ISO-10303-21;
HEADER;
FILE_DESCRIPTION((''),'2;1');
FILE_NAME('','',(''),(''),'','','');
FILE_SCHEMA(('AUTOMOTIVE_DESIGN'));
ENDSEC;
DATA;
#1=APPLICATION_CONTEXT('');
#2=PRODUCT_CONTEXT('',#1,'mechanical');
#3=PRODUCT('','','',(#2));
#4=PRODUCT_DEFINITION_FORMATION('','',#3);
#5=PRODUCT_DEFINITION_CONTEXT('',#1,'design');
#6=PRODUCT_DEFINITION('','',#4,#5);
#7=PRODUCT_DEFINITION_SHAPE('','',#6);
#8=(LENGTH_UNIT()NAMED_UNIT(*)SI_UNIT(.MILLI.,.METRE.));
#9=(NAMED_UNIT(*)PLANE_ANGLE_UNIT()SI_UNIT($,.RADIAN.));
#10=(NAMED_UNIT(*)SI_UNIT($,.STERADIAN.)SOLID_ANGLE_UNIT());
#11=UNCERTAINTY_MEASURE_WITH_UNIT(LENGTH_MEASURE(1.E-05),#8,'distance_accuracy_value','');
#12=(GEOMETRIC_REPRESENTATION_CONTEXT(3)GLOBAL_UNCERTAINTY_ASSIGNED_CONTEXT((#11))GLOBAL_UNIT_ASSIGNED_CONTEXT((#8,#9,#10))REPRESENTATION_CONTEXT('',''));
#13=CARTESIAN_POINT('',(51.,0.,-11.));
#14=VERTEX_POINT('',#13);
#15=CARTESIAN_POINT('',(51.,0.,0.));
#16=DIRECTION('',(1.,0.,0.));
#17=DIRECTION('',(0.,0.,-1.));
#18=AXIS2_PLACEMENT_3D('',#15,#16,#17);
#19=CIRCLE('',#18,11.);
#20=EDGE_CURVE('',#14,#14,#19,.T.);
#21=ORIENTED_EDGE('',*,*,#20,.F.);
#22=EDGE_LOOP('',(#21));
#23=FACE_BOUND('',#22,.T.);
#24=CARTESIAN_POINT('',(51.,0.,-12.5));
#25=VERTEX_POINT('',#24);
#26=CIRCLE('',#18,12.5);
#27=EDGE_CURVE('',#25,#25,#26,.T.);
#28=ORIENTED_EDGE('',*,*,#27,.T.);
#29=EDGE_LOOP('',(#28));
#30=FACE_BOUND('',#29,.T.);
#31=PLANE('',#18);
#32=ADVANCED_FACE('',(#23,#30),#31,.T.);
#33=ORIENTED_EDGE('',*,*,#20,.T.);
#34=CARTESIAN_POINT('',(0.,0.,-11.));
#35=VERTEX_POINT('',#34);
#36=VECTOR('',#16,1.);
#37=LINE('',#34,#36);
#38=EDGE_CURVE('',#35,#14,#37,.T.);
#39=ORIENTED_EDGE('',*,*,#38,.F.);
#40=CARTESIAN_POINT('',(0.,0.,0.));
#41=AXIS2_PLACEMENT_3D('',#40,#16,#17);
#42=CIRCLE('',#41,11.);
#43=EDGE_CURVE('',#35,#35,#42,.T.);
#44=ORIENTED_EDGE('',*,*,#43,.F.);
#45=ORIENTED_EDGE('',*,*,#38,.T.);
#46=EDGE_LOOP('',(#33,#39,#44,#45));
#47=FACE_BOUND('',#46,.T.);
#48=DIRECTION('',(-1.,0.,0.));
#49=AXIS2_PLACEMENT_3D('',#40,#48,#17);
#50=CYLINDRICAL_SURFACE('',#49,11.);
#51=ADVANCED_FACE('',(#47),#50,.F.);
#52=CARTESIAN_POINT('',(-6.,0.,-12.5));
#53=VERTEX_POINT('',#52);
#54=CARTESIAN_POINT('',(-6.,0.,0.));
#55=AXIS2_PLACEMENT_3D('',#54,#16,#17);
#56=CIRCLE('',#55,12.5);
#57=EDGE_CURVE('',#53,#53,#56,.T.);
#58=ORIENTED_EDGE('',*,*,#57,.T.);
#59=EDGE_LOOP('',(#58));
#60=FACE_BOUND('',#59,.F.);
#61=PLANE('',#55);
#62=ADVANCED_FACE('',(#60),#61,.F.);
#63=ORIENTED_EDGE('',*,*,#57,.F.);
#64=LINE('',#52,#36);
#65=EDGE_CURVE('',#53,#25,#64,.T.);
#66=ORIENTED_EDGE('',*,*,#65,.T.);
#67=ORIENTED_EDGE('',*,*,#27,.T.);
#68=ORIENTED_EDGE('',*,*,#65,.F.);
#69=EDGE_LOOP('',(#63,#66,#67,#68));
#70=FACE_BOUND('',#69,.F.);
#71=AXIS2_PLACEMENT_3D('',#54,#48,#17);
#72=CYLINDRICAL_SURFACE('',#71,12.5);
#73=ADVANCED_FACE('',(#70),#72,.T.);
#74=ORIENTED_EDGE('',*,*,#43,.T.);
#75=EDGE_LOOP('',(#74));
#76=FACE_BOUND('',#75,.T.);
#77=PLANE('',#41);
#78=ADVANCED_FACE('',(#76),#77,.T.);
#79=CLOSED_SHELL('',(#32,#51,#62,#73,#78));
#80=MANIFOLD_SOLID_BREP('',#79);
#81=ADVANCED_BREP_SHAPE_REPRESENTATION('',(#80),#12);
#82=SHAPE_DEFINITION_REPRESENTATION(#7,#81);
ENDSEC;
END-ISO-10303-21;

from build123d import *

# Parameters (mm, degrees)
CYLINDER006_R           = 11
CYLINDER006_DEPTH       = 51
CYLINDER006_PITCH_ANGLE = 90
CYLINDER005_R           = 12.5
CYLINDER005_DEPTH       = 57
CYLINDER005_PITCH_ANGLE = 90


with BuildPart() as cylinder004:
    # Cylinder006 → Cylinder006 (new body)
    with BuildSketch(Plane.XY):
        Circle(CYLINDER006_R)
    extrude(amount=CYLINDER006_DEPTH)


with BuildPart() as cylinder004_1:
    # Cylinder006 pitch: moved
    add(cylinder004.part.rotate(Axis((0, 0, 0), (0, 1, 0)), CYLINDER006_PITCH_ANGLE))


with BuildPart() as cylinder004_2:
    # Cylinder006 placement: moved
    add(cylinder004_1.part)


with BuildPart() as batterycap:
    # Cylinder005 → Cylinder005 (new body)
    with BuildSketch(Plane.XY):
        Circle(CYLINDER005_R)
    extrude(amount=CYLINDER005_DEPTH)


with BuildPart() as batterycap_1:
    # Cylinder005 pitch: moved
    add(batterycap.part.rotate(Axis((0, 0, 0), (0, 1, 0)), CYLINDER005_PITCH_ANGLE))


with BuildPart() as batterycap_2:
    # Cylinder005 placement: moved
    add(batterycap_1.part.moved(Location((-6, 0, 0))))

    # Cut003: cut Cylinder004
    add(cylinder004_2.part, mode=Mode.SUBTRACT)


solid = batterycap_2.part
